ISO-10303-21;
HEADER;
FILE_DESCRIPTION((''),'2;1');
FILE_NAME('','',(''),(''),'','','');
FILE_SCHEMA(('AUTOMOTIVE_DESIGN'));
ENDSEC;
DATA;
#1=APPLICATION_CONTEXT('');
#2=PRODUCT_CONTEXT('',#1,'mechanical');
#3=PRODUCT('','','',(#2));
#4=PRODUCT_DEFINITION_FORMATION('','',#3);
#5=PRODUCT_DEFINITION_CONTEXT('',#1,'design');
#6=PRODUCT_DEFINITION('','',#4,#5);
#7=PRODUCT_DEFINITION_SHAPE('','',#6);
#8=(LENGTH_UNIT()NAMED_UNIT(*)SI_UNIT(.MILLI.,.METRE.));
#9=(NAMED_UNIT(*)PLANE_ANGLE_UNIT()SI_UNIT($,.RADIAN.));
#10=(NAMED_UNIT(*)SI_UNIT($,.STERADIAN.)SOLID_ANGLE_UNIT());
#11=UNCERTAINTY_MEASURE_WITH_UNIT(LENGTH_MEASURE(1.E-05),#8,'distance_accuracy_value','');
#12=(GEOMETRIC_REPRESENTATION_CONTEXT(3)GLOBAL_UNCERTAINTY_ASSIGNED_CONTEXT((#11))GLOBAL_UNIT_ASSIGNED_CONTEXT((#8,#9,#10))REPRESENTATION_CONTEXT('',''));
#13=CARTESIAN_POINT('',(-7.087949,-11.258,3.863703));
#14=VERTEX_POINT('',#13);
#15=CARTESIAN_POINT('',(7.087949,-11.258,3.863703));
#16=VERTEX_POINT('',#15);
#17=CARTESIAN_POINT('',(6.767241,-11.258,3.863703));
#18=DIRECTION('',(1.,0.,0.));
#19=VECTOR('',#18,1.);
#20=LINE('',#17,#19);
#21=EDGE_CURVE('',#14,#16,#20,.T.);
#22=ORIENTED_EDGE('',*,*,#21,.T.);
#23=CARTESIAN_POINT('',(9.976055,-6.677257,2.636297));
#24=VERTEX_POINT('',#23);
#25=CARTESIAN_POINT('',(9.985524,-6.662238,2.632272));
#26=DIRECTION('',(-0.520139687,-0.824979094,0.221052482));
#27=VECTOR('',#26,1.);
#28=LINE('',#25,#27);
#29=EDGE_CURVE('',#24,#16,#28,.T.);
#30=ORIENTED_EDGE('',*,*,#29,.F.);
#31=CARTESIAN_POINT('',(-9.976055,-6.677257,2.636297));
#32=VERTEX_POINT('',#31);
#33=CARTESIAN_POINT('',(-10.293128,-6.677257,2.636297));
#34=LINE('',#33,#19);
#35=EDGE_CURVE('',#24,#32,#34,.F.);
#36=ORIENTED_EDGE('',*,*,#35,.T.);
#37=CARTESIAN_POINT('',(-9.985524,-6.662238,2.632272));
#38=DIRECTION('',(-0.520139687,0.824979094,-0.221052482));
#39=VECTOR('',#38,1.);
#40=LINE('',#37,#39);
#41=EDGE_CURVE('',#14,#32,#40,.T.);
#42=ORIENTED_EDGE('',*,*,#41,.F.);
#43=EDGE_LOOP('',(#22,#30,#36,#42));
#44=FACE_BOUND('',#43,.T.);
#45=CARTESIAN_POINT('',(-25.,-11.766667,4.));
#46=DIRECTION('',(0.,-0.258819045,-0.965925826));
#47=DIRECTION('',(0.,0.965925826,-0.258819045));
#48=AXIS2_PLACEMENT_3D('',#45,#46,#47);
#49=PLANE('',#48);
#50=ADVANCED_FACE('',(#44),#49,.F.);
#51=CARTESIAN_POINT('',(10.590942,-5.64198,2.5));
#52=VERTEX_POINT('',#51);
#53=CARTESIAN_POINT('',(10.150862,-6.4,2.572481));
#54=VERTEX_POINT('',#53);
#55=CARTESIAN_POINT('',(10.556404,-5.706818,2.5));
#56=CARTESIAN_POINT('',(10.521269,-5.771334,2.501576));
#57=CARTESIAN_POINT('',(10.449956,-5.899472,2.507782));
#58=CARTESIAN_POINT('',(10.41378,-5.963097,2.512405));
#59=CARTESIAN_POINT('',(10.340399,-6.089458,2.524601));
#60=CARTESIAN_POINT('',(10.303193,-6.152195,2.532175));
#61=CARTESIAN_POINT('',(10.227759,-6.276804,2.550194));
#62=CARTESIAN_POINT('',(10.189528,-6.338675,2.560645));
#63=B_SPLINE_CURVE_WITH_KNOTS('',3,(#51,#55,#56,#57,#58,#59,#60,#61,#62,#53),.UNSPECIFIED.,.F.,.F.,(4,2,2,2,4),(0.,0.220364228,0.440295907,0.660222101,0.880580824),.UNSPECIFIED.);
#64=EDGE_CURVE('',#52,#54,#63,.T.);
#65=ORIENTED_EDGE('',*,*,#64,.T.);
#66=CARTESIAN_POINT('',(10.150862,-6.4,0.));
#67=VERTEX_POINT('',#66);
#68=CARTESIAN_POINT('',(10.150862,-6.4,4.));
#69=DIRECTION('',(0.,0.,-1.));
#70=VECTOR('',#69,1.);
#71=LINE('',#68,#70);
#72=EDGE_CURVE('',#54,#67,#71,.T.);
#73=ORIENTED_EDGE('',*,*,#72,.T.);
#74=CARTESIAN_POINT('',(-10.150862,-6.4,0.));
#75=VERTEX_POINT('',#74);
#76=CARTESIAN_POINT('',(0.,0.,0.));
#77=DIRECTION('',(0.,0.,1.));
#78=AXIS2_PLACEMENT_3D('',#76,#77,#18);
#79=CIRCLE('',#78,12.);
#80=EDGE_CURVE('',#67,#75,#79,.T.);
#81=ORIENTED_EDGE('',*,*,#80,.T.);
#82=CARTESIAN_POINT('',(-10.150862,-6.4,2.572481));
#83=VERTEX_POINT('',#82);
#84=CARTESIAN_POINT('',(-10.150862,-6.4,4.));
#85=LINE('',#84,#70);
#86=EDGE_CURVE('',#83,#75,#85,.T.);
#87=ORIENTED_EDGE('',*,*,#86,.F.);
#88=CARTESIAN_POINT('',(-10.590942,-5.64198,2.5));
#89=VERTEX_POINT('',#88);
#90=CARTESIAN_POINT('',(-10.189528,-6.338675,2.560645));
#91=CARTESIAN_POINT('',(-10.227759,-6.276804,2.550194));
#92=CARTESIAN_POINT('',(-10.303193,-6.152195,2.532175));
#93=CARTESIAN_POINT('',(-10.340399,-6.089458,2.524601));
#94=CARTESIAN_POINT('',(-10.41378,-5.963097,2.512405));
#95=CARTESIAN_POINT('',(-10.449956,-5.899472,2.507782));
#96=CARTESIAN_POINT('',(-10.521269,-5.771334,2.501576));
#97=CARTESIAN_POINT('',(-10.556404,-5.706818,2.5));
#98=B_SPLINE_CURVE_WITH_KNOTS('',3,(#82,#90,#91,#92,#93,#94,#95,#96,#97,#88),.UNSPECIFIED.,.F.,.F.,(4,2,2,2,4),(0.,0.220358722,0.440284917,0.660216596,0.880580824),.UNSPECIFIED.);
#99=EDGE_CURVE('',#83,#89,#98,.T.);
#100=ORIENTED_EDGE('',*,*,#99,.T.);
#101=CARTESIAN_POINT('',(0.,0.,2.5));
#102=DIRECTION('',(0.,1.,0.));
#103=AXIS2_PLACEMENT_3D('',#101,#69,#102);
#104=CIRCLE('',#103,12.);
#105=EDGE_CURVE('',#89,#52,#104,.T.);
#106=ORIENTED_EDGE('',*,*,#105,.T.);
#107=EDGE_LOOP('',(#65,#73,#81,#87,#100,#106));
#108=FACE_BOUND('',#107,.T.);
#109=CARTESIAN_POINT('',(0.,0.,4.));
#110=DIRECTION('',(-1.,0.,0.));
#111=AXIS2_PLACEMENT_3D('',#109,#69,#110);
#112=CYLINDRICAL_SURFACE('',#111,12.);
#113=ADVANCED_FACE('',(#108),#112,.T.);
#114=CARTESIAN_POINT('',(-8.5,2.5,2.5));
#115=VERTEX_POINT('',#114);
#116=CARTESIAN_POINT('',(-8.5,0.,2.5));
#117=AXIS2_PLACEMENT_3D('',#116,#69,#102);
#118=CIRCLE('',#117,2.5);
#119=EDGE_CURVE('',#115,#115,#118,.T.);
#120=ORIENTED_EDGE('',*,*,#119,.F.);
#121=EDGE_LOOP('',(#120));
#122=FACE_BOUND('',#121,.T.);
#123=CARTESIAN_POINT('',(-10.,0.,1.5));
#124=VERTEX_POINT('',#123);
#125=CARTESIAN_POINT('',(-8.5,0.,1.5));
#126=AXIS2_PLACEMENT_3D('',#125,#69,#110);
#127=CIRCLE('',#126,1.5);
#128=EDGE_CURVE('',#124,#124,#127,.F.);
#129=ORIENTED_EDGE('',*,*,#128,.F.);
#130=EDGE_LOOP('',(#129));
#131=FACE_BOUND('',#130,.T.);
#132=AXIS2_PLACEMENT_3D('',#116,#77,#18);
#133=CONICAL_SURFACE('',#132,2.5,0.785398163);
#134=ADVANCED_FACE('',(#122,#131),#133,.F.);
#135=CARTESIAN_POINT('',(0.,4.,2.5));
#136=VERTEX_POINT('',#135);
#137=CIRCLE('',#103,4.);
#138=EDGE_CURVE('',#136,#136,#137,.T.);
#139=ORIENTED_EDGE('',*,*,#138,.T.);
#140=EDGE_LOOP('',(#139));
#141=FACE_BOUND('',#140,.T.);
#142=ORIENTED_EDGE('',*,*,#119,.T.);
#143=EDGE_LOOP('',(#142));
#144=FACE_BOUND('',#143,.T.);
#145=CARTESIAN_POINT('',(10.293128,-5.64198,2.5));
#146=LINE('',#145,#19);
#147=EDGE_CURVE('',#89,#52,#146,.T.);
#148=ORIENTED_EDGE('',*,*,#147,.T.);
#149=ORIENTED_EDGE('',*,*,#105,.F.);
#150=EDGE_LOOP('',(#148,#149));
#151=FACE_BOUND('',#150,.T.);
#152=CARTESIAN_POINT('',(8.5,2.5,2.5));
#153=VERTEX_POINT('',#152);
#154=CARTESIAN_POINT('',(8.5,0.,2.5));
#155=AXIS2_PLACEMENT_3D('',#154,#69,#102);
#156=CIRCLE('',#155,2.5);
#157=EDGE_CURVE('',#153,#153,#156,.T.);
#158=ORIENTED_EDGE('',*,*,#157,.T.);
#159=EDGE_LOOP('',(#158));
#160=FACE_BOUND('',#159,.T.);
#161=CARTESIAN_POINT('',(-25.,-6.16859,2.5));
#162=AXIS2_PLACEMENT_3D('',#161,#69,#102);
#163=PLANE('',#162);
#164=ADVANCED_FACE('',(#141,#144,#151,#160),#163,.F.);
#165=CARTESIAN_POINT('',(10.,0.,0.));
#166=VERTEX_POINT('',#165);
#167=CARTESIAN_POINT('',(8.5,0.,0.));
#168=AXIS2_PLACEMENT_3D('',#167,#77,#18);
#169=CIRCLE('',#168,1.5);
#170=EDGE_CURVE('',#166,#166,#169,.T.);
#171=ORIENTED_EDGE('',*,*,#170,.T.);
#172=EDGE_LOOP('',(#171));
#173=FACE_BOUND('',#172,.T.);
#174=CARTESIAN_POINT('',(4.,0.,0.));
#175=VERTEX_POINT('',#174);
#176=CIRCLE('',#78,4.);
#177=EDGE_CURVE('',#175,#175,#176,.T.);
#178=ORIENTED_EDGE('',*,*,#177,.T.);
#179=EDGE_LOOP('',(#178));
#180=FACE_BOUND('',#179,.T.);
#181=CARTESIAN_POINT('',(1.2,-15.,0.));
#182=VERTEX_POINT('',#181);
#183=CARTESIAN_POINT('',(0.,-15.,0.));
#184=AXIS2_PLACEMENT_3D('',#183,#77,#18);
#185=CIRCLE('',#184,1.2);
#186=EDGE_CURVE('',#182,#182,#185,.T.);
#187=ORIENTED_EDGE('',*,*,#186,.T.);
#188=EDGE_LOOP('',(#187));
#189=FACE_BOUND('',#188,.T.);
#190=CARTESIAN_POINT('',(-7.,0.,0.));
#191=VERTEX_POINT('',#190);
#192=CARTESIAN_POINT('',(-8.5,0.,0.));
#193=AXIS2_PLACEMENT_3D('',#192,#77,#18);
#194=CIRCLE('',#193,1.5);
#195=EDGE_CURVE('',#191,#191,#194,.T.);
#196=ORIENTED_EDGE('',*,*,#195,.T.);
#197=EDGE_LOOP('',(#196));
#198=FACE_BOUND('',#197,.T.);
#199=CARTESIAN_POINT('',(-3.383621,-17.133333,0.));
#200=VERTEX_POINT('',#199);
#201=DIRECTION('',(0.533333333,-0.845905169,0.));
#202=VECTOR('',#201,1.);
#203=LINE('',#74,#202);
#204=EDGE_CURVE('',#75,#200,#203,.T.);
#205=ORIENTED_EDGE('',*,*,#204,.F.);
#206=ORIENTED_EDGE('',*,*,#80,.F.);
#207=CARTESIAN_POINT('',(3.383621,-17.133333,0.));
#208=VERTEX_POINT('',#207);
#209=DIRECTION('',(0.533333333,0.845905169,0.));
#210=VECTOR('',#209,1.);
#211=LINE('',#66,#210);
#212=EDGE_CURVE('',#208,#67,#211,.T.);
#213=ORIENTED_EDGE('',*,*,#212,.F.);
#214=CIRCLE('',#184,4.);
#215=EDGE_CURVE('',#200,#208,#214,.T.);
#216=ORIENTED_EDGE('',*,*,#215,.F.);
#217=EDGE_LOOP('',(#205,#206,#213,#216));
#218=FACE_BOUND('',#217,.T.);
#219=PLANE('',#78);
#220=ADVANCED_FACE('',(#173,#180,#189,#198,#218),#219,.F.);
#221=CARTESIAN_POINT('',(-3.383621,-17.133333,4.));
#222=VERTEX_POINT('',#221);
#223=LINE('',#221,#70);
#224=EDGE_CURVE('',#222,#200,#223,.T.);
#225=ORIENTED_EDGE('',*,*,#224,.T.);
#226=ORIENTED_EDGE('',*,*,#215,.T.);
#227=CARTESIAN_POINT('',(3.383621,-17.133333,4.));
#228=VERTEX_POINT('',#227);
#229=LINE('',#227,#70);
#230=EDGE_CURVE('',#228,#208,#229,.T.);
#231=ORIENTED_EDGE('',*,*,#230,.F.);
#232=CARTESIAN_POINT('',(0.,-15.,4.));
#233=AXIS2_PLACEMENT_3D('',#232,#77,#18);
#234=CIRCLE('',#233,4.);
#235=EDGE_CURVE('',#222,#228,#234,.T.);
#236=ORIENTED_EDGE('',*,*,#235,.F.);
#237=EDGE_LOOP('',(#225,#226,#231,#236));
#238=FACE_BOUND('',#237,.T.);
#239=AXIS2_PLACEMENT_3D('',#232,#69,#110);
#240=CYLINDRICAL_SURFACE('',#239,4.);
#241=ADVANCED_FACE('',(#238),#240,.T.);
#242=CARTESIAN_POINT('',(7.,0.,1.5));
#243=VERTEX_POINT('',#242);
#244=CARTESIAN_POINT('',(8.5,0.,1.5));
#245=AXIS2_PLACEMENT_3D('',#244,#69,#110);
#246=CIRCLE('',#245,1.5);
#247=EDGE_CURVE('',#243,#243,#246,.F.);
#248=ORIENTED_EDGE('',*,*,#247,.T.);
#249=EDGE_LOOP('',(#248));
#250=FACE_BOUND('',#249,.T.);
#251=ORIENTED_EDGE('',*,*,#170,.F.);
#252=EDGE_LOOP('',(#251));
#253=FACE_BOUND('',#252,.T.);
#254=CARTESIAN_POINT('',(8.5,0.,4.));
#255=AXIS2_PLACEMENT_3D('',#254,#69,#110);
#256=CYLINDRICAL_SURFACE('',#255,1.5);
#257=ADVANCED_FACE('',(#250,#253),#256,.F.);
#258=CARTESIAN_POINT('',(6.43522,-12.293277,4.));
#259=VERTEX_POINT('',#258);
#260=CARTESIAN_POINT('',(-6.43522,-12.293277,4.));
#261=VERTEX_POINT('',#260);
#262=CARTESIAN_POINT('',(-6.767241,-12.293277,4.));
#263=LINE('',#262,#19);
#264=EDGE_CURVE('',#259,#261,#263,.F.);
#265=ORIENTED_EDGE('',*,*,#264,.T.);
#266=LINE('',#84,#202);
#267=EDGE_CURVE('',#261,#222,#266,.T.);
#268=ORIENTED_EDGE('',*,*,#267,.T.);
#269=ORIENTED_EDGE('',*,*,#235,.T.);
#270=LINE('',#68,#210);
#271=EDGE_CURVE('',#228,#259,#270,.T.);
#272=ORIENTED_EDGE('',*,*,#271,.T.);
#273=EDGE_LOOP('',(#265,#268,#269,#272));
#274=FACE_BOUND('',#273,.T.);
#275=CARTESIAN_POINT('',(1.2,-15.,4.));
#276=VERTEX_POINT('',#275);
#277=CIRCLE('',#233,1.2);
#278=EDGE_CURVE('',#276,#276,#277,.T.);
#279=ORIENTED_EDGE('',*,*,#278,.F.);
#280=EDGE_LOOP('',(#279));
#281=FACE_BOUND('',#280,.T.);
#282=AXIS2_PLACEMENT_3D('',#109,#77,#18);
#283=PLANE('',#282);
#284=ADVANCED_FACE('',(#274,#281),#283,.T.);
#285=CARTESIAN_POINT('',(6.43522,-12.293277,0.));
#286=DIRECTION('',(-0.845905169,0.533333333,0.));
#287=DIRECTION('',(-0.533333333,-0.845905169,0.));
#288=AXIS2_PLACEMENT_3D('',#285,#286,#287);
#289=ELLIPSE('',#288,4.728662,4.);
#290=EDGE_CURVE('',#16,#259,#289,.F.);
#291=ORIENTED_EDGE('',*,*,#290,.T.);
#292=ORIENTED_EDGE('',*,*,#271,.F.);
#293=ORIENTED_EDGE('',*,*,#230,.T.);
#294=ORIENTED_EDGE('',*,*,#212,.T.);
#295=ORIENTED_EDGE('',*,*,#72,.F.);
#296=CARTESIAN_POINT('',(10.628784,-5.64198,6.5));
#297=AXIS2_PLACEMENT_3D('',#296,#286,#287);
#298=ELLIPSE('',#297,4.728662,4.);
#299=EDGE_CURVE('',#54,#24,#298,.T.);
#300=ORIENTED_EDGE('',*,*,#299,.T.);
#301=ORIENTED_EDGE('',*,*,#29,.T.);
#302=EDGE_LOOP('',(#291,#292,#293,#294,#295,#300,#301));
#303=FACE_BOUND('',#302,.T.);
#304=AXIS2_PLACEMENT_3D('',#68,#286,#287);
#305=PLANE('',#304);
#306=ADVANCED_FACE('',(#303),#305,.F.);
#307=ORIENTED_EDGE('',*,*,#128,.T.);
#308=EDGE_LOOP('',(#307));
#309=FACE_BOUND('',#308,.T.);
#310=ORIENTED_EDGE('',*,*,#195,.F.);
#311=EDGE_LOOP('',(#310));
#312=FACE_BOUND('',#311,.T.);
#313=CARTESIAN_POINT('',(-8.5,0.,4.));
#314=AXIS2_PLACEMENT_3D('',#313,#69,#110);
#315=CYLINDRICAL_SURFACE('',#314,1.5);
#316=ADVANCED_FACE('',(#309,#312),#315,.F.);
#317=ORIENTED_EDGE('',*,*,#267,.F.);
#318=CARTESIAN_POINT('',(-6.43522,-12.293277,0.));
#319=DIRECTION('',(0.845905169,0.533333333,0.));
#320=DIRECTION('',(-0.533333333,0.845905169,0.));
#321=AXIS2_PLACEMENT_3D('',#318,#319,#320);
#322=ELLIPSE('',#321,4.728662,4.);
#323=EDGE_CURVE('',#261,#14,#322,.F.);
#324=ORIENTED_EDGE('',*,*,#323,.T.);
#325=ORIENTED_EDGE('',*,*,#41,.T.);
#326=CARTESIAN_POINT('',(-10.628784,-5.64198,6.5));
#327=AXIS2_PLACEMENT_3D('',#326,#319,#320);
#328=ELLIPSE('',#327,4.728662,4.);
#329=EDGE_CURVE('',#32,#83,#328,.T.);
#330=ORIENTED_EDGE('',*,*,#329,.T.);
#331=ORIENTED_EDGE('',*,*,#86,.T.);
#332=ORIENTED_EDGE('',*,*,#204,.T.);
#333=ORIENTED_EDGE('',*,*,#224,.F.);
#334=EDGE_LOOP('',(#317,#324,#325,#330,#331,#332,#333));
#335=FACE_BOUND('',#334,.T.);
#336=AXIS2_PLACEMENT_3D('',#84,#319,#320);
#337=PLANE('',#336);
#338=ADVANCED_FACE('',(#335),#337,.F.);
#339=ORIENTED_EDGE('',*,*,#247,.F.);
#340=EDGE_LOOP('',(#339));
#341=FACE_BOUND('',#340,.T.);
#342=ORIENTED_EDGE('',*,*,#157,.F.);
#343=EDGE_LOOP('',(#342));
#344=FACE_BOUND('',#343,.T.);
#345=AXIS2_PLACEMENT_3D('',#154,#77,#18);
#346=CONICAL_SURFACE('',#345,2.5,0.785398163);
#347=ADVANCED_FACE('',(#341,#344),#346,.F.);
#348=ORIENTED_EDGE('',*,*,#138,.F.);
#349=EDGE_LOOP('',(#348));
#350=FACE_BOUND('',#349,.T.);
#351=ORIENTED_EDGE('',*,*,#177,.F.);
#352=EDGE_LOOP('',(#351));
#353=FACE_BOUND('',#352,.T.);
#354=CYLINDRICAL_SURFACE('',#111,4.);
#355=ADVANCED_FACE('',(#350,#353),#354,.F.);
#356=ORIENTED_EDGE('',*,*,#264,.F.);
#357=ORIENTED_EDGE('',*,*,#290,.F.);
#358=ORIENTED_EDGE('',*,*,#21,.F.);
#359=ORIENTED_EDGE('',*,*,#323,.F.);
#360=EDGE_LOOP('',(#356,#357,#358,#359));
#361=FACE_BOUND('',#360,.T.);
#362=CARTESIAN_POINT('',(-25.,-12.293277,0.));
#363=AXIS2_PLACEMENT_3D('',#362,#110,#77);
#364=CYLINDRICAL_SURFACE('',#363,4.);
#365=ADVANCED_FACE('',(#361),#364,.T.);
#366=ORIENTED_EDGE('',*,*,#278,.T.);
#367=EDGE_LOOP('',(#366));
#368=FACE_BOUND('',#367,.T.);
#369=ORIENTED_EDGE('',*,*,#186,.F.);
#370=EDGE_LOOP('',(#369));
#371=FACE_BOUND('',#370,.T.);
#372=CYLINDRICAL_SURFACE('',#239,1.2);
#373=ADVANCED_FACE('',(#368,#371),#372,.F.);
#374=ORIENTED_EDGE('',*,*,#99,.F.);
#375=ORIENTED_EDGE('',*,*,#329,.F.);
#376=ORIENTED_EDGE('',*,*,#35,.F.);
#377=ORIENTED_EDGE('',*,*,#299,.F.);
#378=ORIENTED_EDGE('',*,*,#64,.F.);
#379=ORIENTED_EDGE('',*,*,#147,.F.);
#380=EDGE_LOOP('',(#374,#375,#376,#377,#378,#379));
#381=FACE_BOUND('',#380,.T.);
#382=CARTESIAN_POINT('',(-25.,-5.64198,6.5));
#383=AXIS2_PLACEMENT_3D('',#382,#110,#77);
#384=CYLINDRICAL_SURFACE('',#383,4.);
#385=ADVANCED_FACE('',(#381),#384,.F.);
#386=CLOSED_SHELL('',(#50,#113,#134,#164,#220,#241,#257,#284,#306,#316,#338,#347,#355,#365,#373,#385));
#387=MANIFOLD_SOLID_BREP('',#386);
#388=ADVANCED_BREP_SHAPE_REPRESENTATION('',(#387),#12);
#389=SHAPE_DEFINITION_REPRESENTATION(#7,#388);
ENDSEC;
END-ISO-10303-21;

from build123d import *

# Parameters (mm, degrees)
ESQUISSE1_R             = 4
ESQUISSE1_R_2           = 1.2
ESQUISSE1_R_3           = 1.5
BOSS_EXTRU_1_DEPTH      = 4
ENL_V_MAT_EXTRU_1_DEPTH = 25
CHANFREIN1_SIZE         = 1
CONG_1_R                = 4


with BuildPart() as part:
    # Esquisse1 → Boss.-Extru.1 (new body)
    with BuildSketch(Plane.XY):
        with BuildLine():
            Line((-10.150862032, -6.4), (-3.383620677, -17.133333333))
            ThreePointArc((-3.383620677, -17.133333333), (0, -19), (3.383620677, -17.133333333))
            Line((3.383620677, -17.133333333), (10.150862032, -6.4))
            ThreePointArc((10.150862032, -6.4), (0, 12), (-10.150862032, -6.4))
        make_face()
        Circle(ESQUISSE1_R, mode=Mode.SUBTRACT)
        with Locations((0, -15)):
            Circle(ESQUISSE1_R_2, mode=Mode.SUBTRACT)
        with Locations((-8.5, 0)):
            Circle(ESQUISSE1_R_3, mode=Mode.SUBTRACT)
        with Locations((8.5, 0)):
            Circle(ESQUISSE1_R_3, mode=Mode.SUBTRACT)
    extrude(amount=BOSS_EXTRU_1_DEPTH)

    # Esquisse2 → Enlèv. mat.-Extru.1 (cut, symmetric)
    with BuildSketch(Plane(origin=(0, 0, 0), x_dir=(0, 0, -1), z_dir=(1, 0, 0))):
        Polygon((-4, -11.766666667), (-2.5, -6.168590455), (-2.5, 12), (-4, 12), align=None)
    extrude(amount=ENL_V_MAT_EXTRU_1_DEPTH, both=True, mode=Mode.SUBTRACT)

    # Chanfrein1
    chanfrein1_edges = [part.edges().sort_by_distance(p)[0] for p in [
        (-10, 0, 2.5),
        (7, 0, 2.5),
    ]]
    chamfer(chanfrein1_edges, length=CHANFREIN1_SIZE)

    # Congé1
    cong_1_edges = [part.edges().sort_by_distance(p)[0] for p in [
        (0, -6.168590455, 2.5),
        (0, -11.766666667, 4),
    ]]
    fillet(cong_1_edges, radius=CONG_1_R)


solid = part.part
